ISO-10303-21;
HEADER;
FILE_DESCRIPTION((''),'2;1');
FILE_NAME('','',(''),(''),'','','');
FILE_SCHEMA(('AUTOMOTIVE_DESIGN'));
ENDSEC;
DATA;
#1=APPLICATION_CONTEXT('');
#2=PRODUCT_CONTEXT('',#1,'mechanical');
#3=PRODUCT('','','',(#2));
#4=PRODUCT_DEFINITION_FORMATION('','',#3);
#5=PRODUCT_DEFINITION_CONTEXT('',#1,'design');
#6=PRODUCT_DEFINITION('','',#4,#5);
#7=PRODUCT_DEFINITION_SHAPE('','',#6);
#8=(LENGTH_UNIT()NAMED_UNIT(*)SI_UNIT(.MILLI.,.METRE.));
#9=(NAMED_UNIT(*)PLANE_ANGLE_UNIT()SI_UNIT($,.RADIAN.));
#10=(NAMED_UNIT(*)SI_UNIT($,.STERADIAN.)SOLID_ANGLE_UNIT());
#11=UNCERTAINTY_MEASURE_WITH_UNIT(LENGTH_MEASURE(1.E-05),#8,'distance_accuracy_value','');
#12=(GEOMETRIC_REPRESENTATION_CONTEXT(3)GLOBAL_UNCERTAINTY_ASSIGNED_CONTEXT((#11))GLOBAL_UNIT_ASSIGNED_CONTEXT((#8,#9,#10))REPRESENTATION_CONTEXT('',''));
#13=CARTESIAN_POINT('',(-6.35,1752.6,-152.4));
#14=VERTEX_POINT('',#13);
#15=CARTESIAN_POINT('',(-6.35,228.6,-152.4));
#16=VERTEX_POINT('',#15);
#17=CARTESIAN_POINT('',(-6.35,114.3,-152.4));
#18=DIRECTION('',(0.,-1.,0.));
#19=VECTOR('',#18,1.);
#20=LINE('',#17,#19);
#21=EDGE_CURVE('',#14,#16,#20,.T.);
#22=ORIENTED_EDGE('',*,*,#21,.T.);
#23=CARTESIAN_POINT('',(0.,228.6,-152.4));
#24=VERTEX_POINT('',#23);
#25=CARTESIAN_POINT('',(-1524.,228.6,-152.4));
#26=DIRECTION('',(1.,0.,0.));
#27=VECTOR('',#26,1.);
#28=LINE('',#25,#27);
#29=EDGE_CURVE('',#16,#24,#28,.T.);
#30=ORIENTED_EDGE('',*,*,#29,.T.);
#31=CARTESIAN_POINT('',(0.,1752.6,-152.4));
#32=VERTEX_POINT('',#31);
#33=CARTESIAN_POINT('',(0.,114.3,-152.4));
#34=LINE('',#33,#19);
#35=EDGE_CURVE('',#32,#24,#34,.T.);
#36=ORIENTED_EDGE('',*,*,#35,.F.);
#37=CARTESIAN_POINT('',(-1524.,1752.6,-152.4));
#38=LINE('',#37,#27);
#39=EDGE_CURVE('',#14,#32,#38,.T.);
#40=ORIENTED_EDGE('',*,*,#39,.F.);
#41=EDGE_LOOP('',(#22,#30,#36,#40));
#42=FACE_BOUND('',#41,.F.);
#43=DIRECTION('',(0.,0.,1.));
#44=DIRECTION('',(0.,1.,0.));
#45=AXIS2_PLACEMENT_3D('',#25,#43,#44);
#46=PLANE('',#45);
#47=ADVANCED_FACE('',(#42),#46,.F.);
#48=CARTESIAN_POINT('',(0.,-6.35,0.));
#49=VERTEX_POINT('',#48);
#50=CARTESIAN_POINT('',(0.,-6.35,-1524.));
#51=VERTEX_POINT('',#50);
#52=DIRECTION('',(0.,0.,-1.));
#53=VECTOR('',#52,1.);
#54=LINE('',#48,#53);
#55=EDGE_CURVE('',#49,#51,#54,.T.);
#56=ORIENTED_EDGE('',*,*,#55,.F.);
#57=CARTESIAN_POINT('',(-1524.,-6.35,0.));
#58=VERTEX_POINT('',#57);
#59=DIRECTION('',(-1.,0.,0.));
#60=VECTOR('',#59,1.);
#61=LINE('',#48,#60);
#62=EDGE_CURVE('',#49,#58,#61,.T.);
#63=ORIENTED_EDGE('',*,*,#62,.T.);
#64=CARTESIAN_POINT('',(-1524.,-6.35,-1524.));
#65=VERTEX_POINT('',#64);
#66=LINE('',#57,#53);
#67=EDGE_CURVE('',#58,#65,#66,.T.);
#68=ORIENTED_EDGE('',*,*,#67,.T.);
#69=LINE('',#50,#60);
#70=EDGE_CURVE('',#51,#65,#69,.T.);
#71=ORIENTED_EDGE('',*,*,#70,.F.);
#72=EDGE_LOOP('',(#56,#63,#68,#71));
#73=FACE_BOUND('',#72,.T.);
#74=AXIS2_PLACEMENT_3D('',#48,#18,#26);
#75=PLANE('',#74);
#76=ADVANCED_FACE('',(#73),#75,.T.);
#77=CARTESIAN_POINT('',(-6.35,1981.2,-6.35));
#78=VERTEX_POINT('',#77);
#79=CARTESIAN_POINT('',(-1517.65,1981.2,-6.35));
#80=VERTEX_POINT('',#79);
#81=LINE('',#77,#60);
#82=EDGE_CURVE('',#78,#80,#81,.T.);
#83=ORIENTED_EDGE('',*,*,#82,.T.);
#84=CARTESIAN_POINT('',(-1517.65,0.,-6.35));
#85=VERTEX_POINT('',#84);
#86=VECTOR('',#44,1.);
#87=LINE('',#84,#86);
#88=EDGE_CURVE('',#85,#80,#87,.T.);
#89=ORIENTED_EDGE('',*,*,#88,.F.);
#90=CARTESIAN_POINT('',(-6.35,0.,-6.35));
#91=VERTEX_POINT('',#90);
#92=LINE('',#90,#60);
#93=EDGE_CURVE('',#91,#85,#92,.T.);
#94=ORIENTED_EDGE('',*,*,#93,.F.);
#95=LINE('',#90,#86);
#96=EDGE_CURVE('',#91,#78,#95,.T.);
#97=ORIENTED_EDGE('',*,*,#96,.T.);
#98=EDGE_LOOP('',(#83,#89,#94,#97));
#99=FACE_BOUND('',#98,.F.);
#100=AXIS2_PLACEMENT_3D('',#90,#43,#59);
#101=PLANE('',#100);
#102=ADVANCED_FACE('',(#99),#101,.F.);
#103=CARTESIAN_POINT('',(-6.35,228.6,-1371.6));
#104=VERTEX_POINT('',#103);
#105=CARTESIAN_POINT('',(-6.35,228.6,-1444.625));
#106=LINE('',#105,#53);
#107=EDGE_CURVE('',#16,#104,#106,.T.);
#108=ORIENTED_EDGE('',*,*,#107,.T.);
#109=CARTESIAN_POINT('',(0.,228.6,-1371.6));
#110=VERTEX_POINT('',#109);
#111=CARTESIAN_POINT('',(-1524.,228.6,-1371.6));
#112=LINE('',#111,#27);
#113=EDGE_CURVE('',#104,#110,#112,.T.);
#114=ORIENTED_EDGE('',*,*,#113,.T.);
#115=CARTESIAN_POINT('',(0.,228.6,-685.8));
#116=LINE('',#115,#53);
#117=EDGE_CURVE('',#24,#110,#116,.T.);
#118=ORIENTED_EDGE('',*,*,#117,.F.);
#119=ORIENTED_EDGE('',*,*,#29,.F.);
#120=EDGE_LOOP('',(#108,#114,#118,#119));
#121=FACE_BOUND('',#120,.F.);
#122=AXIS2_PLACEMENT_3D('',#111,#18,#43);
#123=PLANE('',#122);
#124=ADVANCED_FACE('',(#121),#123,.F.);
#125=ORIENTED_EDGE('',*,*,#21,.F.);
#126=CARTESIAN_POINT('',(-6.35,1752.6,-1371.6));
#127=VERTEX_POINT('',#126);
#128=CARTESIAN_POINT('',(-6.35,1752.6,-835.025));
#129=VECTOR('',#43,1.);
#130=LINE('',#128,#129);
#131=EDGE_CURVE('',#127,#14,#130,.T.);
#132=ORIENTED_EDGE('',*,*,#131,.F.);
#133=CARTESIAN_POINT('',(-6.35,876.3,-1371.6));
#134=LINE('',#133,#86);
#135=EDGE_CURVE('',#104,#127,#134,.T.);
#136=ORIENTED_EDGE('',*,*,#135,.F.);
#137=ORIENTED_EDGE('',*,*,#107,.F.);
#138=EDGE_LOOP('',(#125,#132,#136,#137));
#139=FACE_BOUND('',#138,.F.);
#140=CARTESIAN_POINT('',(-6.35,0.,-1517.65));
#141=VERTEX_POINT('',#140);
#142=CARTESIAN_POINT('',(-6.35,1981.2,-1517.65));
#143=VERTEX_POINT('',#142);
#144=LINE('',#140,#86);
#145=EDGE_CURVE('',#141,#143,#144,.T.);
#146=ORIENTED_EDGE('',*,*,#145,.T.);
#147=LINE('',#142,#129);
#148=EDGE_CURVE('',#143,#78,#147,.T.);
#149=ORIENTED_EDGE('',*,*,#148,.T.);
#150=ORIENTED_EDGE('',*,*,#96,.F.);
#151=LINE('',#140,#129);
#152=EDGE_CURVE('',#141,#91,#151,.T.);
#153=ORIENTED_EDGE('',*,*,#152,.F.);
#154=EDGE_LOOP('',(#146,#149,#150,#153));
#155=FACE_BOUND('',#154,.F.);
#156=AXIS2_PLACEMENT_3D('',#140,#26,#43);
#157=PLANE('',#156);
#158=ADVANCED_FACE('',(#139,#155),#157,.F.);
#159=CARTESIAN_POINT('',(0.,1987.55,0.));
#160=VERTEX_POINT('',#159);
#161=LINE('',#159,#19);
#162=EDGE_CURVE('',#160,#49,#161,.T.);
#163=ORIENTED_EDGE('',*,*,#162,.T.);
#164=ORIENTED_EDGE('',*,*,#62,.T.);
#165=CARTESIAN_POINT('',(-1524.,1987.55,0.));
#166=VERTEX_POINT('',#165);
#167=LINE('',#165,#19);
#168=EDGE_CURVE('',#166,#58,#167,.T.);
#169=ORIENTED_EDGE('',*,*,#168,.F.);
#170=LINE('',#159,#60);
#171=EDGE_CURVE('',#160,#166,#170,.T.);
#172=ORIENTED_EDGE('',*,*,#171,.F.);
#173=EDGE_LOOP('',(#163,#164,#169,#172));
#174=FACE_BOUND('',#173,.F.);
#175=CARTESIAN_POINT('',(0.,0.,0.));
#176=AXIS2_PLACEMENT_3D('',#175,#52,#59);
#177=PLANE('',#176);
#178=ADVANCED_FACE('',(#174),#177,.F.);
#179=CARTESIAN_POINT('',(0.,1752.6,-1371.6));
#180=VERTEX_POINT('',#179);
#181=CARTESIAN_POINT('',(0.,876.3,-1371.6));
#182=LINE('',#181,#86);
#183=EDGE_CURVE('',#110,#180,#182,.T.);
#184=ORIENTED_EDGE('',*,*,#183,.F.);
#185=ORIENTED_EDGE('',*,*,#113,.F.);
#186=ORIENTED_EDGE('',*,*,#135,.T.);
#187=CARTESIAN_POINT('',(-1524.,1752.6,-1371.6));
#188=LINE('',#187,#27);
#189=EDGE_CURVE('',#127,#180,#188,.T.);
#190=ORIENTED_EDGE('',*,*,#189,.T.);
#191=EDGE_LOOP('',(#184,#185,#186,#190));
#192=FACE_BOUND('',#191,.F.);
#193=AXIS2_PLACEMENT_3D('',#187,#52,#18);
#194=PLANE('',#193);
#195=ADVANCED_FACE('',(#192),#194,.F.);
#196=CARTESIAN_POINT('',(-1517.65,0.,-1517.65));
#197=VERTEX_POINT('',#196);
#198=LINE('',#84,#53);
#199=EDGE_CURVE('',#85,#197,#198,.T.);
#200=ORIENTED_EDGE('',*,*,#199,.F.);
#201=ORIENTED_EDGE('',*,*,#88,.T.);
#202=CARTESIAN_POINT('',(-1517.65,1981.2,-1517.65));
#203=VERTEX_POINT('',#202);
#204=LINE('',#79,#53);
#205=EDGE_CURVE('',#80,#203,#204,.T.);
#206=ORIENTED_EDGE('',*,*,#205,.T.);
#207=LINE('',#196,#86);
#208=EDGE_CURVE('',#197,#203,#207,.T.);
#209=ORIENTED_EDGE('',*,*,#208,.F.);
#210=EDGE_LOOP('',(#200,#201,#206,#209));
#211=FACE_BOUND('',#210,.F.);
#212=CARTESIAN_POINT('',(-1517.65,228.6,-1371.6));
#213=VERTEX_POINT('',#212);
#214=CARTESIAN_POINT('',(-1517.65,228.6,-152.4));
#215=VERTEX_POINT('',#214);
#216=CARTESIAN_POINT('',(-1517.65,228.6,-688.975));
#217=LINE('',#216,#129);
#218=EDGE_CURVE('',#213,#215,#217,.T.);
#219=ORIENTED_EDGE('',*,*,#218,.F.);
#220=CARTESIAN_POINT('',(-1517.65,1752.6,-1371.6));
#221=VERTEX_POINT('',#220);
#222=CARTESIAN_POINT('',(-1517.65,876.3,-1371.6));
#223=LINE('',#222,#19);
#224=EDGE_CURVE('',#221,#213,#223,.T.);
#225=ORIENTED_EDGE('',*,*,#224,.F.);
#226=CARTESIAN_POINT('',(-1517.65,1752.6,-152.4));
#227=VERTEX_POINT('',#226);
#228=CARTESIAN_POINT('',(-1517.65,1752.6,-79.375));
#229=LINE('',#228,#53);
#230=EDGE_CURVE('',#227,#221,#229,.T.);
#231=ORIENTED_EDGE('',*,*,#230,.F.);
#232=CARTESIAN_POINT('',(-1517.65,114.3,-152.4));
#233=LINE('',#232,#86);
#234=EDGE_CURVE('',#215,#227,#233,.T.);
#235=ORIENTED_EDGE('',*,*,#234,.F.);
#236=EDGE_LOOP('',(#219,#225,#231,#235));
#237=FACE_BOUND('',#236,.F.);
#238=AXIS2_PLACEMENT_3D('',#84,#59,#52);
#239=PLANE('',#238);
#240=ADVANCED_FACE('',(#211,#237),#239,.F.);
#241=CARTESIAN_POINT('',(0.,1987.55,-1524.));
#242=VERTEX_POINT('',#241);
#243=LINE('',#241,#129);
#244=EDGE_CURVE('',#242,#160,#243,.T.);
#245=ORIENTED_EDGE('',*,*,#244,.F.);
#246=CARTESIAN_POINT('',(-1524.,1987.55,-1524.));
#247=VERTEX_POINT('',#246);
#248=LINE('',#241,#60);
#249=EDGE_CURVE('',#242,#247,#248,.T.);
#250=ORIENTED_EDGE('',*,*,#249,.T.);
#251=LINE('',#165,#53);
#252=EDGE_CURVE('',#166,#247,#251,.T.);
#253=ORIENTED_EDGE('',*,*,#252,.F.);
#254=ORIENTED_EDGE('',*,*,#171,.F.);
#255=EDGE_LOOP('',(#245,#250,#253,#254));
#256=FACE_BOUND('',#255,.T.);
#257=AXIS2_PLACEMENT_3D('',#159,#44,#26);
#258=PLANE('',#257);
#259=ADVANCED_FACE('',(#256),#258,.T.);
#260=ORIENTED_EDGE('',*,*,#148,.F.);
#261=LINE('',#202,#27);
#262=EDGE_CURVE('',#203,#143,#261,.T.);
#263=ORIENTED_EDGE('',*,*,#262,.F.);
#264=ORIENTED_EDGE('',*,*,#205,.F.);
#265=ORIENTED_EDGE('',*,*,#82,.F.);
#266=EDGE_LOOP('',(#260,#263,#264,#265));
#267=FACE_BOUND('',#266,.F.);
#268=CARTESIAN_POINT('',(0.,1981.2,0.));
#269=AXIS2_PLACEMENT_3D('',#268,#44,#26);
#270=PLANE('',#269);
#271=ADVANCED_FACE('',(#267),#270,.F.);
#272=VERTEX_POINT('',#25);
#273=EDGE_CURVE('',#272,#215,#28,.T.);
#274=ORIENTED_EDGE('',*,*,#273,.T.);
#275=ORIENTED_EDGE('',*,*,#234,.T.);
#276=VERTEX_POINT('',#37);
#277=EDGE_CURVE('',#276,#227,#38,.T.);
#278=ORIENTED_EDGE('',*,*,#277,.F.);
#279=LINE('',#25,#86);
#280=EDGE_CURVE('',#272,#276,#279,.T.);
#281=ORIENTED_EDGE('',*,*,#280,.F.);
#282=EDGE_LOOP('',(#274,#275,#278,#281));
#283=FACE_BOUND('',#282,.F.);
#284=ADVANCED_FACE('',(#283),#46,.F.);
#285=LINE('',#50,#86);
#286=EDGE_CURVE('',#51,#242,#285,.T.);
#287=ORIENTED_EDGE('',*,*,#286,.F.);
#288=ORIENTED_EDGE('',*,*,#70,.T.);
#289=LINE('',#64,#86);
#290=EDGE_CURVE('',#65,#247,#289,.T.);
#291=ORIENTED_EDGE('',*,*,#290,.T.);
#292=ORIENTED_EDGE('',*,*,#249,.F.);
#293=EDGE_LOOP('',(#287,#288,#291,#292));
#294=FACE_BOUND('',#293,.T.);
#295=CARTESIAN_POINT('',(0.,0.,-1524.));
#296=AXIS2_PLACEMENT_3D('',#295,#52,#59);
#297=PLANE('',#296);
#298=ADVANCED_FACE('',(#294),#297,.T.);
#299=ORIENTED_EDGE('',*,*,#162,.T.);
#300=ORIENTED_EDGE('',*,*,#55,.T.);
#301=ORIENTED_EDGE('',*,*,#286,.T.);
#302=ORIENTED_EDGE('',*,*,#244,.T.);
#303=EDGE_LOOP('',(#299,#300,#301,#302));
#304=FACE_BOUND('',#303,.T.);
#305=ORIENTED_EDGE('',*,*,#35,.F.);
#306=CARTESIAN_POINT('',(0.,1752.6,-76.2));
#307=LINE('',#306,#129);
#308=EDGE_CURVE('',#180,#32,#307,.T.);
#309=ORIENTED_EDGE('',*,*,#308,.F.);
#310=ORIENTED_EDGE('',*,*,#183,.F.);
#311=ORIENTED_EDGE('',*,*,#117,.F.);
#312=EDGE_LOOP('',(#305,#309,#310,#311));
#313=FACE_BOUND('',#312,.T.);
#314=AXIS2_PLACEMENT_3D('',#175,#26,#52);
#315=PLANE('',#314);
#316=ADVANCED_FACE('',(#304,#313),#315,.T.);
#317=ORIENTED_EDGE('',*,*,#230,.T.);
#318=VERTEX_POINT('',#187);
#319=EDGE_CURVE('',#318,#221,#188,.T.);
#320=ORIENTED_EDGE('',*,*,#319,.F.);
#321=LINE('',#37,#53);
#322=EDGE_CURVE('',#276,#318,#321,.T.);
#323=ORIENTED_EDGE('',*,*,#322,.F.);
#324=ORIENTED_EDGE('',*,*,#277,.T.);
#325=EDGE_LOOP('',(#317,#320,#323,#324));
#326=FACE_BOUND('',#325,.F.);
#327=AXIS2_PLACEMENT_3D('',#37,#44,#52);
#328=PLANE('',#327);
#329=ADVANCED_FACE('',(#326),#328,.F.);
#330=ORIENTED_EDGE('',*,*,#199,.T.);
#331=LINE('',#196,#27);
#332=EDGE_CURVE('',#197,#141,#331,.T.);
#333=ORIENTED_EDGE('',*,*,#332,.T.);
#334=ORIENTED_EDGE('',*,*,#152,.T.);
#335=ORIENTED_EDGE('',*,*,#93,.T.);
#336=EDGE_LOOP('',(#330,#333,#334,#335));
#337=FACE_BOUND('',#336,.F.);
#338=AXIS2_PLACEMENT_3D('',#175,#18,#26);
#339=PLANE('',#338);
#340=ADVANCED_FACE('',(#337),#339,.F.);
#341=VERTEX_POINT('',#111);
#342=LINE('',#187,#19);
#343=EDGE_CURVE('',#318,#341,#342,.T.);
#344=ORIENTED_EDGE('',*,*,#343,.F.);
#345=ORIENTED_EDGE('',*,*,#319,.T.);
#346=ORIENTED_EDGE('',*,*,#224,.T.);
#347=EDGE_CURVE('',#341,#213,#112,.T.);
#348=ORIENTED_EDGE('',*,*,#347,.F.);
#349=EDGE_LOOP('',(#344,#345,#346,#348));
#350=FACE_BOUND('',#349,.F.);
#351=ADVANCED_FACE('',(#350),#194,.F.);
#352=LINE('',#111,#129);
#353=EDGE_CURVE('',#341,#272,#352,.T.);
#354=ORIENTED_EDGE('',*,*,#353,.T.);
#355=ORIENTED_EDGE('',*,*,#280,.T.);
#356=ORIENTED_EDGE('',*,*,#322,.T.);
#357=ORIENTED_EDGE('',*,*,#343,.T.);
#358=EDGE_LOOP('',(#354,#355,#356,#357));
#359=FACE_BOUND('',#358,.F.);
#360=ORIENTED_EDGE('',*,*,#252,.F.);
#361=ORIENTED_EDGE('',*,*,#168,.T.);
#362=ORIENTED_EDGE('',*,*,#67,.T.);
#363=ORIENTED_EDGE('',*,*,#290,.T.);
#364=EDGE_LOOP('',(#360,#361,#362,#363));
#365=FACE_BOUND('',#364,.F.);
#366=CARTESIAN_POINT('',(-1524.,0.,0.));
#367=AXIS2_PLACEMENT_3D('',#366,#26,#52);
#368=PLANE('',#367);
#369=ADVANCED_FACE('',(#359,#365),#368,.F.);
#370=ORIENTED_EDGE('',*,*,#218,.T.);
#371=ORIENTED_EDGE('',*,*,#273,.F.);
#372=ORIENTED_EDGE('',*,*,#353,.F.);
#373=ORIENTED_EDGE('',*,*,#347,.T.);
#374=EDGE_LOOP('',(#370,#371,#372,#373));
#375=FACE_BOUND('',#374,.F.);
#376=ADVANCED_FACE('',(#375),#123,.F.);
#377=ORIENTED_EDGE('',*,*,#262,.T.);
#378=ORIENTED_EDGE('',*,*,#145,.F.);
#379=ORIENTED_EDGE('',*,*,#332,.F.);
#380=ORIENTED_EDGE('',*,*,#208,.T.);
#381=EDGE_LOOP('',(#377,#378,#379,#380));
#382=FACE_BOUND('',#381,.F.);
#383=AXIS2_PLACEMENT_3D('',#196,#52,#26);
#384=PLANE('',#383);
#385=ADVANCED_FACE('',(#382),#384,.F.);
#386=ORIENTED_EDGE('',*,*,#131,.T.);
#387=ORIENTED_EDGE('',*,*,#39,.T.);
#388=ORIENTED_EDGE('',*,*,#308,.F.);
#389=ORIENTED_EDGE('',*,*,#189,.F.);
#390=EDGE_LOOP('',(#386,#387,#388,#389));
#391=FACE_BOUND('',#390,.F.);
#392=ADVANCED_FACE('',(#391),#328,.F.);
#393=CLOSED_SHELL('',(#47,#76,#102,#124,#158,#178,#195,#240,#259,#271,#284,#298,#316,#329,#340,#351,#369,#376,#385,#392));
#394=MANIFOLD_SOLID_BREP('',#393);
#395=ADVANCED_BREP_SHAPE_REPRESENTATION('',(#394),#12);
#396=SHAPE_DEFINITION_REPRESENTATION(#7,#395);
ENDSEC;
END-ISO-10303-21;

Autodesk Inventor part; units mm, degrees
ref_plane "YZ Plane" through (0, 0, 0) normal (1, 0, 0) x (0, 1, 0)
ref_plane "XZ Plane" through (0, 0, 0) normal (0, 1, 0) x (-1, 0, 0)
ref_plane "XY Plane" through (0, 0, 0) normal (0, 0, 1) x (1, 0, 0)
sketch "Sketch1" plane through (0, 0, 0) normal (0, 1, 0) x (-1, 0, 0)
  line L0 (0, 0) -> (1524, 0)
  line L1 (1524, 0) -> (1524, -1524)
  line L2 (1524, -1524) -> (0, -1524)
  line L3 (0, -1524) -> (0, 0)
  line L4 (1517.65, -1517.65) -> (6.35, -1517.65)
  line L5 (6.35, -1517.65) -> (6.35, -6.35)
  line L6 (6.35, -6.35) -> (1517.65, -6.35)
  line L7 (1517.65, -6.35) -> (1517.65, -1517.65)
  dimension "d0" = 1524
  dimension "d1" = 1524
  dimension "d4" = 6.35
  dimension "d5" = 6.35
  dimension "d6" = 6.35
  dimension "d7" = 6.35
extrude "Extrusion2" add sketch "Sketch1" along normal blind 1981.2
sketch "Sketch2" plane through (0, 1981.2, 0) normal (0, 1, 0) x (1, 0, 0)
  line L0 (0, 1524) -> (-1524, 1524) projected
  line L1 (0, 0) -> (-1524, 0)
  line L2 (-1524, 0) -> (-1524, 1524)
  line L3 (-1524, 1524) -> (0, 1524)
  line L4 (0, 1524) -> (0, 0)
extrude "Extrusion3" add sketch "Sketch2" along normal blind 6.35
sketch "Sketch3" plane through (0, 0, 0) normal (0, -1, 0) x (1, 0, 0)
  line L0 (0, 0) -> (0, -1524) projected
  line L1 (0, -1524) -> (-1524, -1524) projected
  line L2 (0, 0) -> (-1524, 0)
  line L3 (-1524, 0) -> (-1524, -1524)
  line L4 (-1524, -1524) -> (0, -1524)
  line L5 (0, -1524) -> (0, 0)
extrude "Extrusion4" add sketch "Sketch3" along normal blind 6.35
sketch "Sketch5" plane through (-1524, 1987.55, -1524) normal (-1, 0, 0) x (0, 0, 1)
  line L0 (1371.6, -234.95) -> (152.4, -234.95)
  line L1 (152.4, -234.95) -> (152.4, -1758.95)
  line L2 (152.4, -1758.95) -> (1371.6, -1758.95)
  line L3 (1371.6, -1758.95) -> (1371.6, -234.95)
  line L4 (1524, -1993.9) -> (1524, 0) projected
  line L5 (1524, -1993.9) -> (0, -1993.9) projected
  point P0 (1524, -1987.55)
  dimension "d21" = 1219.2
  dimension "d22" = 1524
  dimension "d23" = 152.4
  dimension "d24" = 234.95
extrude "Extrusion6" cut sketch "Sketch5" against normal through all
properties part number "ASTRA_Body" material "Aluminum 6061"
